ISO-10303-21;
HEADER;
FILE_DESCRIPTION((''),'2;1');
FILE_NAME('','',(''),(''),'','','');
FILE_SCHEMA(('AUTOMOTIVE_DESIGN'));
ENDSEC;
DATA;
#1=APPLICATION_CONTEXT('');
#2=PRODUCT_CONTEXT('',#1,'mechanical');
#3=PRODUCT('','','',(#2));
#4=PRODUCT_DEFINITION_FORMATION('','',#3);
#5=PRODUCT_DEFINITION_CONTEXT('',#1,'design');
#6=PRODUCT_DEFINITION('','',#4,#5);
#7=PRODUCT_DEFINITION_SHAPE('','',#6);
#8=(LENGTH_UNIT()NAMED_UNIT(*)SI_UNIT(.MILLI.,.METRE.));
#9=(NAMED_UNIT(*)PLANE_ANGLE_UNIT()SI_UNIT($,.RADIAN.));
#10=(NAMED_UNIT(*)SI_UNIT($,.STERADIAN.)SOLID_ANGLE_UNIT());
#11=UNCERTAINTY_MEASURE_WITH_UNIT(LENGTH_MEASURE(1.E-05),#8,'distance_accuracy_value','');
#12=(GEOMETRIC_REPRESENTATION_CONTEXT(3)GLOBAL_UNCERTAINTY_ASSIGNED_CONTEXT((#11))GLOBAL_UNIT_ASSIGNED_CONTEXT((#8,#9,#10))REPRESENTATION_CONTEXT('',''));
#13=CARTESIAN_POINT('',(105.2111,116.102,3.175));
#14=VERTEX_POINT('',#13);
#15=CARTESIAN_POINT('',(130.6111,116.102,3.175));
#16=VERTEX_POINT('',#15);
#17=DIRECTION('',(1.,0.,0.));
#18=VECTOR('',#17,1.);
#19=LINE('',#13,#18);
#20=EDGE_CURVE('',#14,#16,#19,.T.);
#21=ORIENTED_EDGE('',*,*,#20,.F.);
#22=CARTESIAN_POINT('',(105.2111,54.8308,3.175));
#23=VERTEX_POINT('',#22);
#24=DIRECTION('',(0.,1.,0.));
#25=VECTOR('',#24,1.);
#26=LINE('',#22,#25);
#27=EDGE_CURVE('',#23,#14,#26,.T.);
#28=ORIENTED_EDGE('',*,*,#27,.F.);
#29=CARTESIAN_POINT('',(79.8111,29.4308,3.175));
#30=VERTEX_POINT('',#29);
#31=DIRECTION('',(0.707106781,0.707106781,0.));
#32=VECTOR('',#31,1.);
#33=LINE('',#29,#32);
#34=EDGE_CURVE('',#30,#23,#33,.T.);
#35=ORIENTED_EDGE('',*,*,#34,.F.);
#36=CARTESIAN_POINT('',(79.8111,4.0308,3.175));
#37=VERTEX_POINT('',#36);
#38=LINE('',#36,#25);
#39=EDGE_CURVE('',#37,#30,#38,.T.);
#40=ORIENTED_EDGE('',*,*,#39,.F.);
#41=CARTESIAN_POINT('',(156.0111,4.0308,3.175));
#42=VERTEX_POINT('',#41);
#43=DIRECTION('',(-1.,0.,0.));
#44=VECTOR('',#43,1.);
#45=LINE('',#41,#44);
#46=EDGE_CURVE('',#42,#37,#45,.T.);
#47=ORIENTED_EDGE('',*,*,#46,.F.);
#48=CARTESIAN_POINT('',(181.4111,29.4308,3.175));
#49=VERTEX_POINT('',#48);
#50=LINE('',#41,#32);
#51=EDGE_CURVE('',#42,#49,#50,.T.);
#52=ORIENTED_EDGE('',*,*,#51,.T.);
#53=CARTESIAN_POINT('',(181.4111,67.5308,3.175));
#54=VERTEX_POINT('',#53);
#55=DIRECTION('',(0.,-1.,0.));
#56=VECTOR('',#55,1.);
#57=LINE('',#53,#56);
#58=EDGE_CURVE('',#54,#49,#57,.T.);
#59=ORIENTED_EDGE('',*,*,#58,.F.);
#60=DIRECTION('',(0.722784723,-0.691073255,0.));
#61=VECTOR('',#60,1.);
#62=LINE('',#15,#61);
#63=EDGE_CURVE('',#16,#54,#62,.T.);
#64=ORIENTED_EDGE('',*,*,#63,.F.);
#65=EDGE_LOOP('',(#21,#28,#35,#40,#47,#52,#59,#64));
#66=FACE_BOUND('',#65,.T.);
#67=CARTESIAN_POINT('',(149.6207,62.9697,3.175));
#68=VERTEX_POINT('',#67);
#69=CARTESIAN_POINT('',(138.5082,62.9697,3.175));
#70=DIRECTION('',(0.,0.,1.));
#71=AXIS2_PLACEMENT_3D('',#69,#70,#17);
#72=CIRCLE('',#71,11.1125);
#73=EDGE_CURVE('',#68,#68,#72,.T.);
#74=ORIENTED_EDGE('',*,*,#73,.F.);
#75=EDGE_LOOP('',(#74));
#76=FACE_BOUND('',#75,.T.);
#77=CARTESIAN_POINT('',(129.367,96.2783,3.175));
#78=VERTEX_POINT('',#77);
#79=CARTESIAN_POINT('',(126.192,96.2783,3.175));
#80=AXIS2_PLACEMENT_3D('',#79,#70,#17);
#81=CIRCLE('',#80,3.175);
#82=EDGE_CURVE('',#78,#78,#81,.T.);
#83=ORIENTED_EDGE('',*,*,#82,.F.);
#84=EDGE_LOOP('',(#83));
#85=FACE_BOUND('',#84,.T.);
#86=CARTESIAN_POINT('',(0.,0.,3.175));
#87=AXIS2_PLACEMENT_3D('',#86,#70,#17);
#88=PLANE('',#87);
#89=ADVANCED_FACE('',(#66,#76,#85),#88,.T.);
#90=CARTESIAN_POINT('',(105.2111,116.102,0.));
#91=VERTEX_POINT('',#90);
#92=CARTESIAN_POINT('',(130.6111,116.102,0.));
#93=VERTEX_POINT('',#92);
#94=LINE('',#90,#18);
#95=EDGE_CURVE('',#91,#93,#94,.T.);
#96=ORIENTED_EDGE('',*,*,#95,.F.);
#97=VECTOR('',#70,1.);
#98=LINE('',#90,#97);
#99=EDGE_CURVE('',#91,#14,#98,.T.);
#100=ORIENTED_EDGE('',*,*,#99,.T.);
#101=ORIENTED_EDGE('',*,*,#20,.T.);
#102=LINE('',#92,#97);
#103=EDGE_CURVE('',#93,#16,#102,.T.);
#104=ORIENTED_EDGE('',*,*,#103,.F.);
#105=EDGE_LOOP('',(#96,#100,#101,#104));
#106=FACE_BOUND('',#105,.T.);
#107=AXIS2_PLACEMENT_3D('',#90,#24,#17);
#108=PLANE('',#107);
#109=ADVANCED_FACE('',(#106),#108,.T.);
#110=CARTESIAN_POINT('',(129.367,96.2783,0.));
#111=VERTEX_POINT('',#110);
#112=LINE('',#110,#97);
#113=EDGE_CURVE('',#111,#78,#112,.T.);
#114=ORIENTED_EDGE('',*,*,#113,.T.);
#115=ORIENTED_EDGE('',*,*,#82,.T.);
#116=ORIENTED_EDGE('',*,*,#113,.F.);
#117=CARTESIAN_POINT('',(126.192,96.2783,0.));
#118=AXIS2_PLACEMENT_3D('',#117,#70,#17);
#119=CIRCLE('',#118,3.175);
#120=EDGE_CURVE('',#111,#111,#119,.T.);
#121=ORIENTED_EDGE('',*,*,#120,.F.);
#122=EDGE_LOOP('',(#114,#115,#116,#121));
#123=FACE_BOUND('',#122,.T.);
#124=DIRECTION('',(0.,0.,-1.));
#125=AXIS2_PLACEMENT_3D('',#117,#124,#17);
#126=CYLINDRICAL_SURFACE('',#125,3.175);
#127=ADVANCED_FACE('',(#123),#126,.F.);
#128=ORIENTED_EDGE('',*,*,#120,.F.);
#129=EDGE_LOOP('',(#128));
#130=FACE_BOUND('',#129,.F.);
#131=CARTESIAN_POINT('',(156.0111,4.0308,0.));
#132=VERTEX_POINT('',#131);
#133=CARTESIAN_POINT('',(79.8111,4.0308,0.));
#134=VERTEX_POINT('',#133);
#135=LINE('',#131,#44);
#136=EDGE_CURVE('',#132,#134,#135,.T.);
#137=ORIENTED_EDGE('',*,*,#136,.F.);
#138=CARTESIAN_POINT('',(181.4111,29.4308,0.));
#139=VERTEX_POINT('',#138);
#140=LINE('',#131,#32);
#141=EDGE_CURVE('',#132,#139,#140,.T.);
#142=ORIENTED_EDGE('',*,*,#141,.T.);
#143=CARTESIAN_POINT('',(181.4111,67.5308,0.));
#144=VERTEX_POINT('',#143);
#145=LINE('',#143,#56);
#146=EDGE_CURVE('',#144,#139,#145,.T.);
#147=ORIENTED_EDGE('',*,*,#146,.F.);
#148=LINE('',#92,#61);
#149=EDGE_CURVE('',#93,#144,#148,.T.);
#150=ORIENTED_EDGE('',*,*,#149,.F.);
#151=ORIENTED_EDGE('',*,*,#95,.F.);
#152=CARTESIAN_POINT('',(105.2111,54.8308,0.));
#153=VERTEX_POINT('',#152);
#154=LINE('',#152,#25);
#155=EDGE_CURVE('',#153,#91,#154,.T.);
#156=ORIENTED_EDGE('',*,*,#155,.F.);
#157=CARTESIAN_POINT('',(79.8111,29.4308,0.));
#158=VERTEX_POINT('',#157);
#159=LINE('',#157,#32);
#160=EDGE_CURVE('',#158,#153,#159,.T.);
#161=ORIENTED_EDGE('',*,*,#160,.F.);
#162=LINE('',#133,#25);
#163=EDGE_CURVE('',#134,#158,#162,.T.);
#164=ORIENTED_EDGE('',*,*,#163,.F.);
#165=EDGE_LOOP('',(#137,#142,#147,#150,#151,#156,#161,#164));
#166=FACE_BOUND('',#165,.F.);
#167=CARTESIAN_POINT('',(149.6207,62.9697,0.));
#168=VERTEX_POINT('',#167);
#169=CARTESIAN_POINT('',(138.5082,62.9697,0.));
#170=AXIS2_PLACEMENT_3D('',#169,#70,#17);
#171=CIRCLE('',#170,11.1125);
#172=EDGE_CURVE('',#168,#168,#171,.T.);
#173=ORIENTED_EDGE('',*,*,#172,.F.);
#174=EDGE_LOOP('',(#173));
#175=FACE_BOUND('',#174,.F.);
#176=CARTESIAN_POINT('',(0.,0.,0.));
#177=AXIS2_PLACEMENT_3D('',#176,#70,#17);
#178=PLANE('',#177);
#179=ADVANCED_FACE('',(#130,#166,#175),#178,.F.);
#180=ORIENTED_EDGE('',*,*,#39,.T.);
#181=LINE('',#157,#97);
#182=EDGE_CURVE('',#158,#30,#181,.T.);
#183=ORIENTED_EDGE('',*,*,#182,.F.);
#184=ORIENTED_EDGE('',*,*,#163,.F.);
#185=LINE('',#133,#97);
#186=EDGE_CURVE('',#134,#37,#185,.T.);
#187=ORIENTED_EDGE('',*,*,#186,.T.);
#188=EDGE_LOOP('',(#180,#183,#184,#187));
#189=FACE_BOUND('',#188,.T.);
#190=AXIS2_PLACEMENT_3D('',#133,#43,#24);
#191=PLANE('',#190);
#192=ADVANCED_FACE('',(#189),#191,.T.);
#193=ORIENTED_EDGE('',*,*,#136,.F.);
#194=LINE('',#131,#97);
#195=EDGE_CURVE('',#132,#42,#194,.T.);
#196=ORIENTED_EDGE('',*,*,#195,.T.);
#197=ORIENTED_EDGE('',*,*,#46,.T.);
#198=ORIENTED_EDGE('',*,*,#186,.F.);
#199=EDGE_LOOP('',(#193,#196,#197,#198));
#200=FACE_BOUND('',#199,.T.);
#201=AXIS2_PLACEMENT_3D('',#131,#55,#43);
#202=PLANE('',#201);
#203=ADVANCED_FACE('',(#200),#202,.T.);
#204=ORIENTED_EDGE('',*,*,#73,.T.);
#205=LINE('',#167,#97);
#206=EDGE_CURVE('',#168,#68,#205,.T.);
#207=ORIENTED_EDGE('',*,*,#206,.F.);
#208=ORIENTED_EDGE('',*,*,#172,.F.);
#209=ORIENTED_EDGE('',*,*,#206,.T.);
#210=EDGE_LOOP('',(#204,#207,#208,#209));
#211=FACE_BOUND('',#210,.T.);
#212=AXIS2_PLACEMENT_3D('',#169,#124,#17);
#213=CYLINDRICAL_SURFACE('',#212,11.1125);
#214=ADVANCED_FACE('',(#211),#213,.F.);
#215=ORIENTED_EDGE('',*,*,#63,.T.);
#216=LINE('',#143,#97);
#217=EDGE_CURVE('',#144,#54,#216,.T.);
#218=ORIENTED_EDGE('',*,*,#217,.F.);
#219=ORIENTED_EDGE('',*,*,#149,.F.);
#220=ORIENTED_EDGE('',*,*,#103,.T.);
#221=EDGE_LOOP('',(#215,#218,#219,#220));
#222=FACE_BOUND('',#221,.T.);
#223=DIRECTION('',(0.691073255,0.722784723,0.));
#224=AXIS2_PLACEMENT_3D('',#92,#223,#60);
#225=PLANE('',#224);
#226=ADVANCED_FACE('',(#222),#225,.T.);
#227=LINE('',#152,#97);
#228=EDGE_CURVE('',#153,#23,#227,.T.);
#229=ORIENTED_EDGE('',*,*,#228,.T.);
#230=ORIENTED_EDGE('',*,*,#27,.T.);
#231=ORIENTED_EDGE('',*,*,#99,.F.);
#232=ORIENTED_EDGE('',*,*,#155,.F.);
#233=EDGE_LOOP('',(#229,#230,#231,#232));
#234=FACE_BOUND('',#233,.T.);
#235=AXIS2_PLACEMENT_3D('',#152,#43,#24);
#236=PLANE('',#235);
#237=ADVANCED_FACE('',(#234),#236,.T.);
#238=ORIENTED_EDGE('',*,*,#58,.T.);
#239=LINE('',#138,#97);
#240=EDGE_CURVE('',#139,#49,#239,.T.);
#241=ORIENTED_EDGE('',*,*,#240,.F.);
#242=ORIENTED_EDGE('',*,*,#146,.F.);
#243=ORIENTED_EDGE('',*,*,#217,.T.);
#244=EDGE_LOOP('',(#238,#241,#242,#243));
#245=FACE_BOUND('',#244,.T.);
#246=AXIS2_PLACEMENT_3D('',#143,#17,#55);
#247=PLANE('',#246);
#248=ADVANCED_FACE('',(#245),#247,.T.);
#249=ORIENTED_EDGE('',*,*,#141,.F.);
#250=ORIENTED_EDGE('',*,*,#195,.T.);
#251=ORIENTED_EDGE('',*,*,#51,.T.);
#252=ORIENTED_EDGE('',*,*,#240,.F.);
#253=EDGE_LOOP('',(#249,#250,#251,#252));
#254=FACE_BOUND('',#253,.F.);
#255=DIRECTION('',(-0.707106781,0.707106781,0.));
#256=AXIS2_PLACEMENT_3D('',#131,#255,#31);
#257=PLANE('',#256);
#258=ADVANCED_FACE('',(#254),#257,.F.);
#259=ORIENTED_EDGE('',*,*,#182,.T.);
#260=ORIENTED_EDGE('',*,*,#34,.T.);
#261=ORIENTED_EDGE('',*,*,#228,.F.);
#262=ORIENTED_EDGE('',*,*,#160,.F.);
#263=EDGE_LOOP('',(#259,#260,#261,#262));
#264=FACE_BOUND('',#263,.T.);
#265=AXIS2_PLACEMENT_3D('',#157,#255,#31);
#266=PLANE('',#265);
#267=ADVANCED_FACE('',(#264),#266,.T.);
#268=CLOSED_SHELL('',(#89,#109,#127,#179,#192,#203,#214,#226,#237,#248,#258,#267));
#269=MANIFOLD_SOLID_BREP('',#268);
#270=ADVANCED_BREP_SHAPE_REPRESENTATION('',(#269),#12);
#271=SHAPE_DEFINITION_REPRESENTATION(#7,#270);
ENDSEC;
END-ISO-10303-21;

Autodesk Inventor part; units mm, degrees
ref_plane "YZ Plane" through (0, 0, 0) normal (1, 0, 0) x (0, 1, 0)
ref_plane "XZ Plane" through (0, 0, 0) normal (0, 1, 0) x (-1, 0, 0)
ref_plane "XY Plane" through (0, 0, 0) normal (0, 0, 1) x (1, 0, 0)
sketch "Sketch1" plane through (0, 0, 0) normal (0, 0, 1) x (1, 0, 0)
  line L0 (0, 0) -> (304.8, 0) construction
  line L1 (304.8, 0) -> (304.8, 50.8) construction
  line L2 (304.8, 50.8) -> (0, 50.8) construction
  line L3 (0, 50.8) -> (0, 0) construction
  circle A0 centre (152.4, 25.4) radius 14.2875 construction
  circle A1 centre (152.4, 25.4) radius 30.48 construction
  circle A2 centre (152.4, 25.4) radius 22.225 construction
  line L4 (152.4, 25.4) -> (138.5082, 62.9697) construction
  circle A3 centre (138.5082, 62.9697) radius 9.525 construction
  circle A4 centre (138.5082, 62.9697) radius 17.78 construction
  circle A5 centre (89.9711, 85.09) radius 31.75 construction
  circle A6 centre (160.9785, 111.3458) radius 31.75 construction
  circle A7 centre (221.9701, 85.09) radius 31.75 construction
  line L5 (0, 50.8) -> (0, 53.34) construction
  line L6 (0, 53.34) -> (304.8, 53.34) construction
  line L7 (304.8, 53.34) -> (304.8, 50.8) construction
  circle A8 centre (138.5082, 62.9697) radius 21.59 construction
  circle A9 centre (152.4, 25.4) radius 46.99 construction
  circle A10 centre (152.4, 25.4) radius 50.8 construction
  arc A11 (84.9408, 79.3264) -> (90.9184, 92.6811) centre (89.9711, 85.09) ccw construction
  circle A12 centre (160.9785, 111.3458) radius 7.65 construction
  arc A13 (221.6946, 92.735) -> (225.5172, 78.312) centre (221.9701, 85.09) ccw construction
  circle A14 centre (160.9785, 111.3458) radius 9.1 construction
  circle A15 centre (138.5082, 62.9697) radius 22.9 construction
  line L8 (84.9408, 79.3264) -> (123.4503, 45.7166) construction
  line L9 (168.5483, 110.2412) -> (161.1682, 59.6633) construction
  line L10 (90.9184, 92.6811) -> (89.9711, 85.09) construction
  line L11 (89.9711, 85.09) -> (84.9408, 79.3264) construction
  circle A16 centre (126.192, 96.2783) radius 3.175
  circle A17 centre (126.192, 96.2783) radius 7.9375 construction
  line L12 (90.9184, 92.6811) -> (125.2091, 88.4019) construction
  line L13 (132.0626, 90.936) -> (155.3205, 116.4945) construction
  line L14 (155.3205, 116.4945) -> (160.9785, 111.3458) construction
  line L15 (168.5483, 110.2412) -> (160.9785, 111.3458) construction
  line L16 (138.5082, 62.9697) -> (126.192, 96.2783) construction
  line L17 (89.9711, 85.09) -> (160.9785, 111.3458) construction
  line L18 (152.4, 25.4) -> (89.9711, 85.09) construction
  line L19 (152.4, 25.4) -> (160.9785, 111.3458) construction
  circle A18 centre (126.192, 96.2783) radius 9.2075 construction
  circle A19 centre (126.192, 96.2783) radius 6.1595 construction
  arc A20 (90.9184, 92.6811) -> (84.9408, 79.3264) centre (89.9711, 85.09) ccw construction
  circle A21 centre (160.9785, 111.3458) radius 25.4 construction
  circle A22 centre (221.9701, 85.09) radius 25.4 construction
  line L20 (102.9424, 114.0695) -> (76.9998, 56.1105) construction
  circle A23 centre (89.9711, 85.09) radius 25.4 construction
  line L21 (213.8361, 115.7804) -> (230.1041, 54.3996) construction
  line L22 (54.4111, 146.9058) -> (257.6111, 146.9058)
  line L23 (257.6111, 146.9058) -> (257.6111, -11.8442)
  line L24 (257.6111, -11.8442) -> (54.4111, -11.8442)
  line L25 (54.4111, -11.8442) -> (54.4111, 146.9058)
  circle A24 centre (138.5082, 62.9697) radius 11.1125
  arc A25 (225.3129, 75.4455) -> (221.0936, 95.3227) centre (223.2033, 85.3841) ccw construction
  line L26 (220.7531, 84.7347) -> (228.4773, 60.5377) construction
  line L27 (223.2033, 85.3841) -> (228.4773, 60.5377) construction
  line L28 (220.7531, 84.7347) -> (213.029, 108.9318) construction
  line L29 (223.2033, 85.3841) -> (217.9292, 110.2305) construction
  arc A26 (212.3049, 111.2003) -> (213.7531, 106.6633) centre (213.029, 108.9318) ccw construction
  arc A27 (218.4237, 107.9012) -> (217.4348, 112.5599) centre (217.9292, 110.2305) ccw construction
  arc A28 (218.4237, 107.9012) -> (213.7531, 106.6633) centre (228.4773, 60.5377) ccw construction
  arc A29 (217.4348, 112.5599) -> (212.3049, 111.2003) centre (228.4773, 60.5377) ccw construction
  line L30 (213.029, 108.9318) -> (212.3049, 111.2003) construction
  line L31 (217.9292, 110.2305) -> (217.4348, 112.5599) construction
  arc A30 (221.0936, 95.3227) -> (217.6635, 94.4136) centre (228.4773, 60.5377) ccw construction
  arc A31 (225.3129, 75.4455) -> (223.8428, 75.0559) centre (228.4773, 60.5377) ccw construction
  line L32 (102.6358, 107.1803) -> (91.1149, 84.5434) construction
  line L33 (79.5941, 61.9064) -> (88.8014, 85.5789) construction
  arc A32 (98.8719, 111.4706) -> (97.1455, 107.0321) centre (98.0087, 109.2513) ccw construction
  arc A33 (101.5557, 105.0581) -> (103.7158, 109.3025) centre (102.6358, 107.1803) ccw construction
  arc A34 (101.5557, 105.0581) -> (97.1455, 107.0321) centre (79.5941, 61.9064) ccw construction
  line L34 (98.0087, 109.2513) -> (98.8719, 111.4706) construction
  line L35 (102.6358, 107.1803) -> (103.7158, 109.3025) construction
  arc A35 (103.7158, 109.3025) -> (98.8719, 111.4706) centre (79.5941, 61.9064) ccw construction
  arc A36 (217.6635, 94.4136) -> (223.8428, 75.0559) centre (220.7531, 84.7347) ccw construction
  arc A37 (86.5066, 75.4886) -> (95.7233, 93.5981) centre (91.1149, 84.5434) ccw construction
  line L36 (88.8014, 85.5789) -> (98.0087, 109.2513) construction
  line L37 (91.1149, 84.5434) -> (79.5941, 61.9064) construction
  arc A38 (86.5066, 75.4886) -> (85.1185, 76.1099) centre (79.5941, 61.9064) ccw construction
  arc A39 (95.7233, 93.5981) -> (92.4843, 95.0479) centre (79.5941, 61.9064) ccw construction
  arc A40 (92.4843, 95.0479) -> (85.1185, 76.1099) centre (88.8014, 85.5789) ccw construction
  line L38 (160.9785, 111.3458) -> (138.0151, 122.2014) construction
  line L39 (160.9785, 111.3458) -> (183.9418, 100.4902) construction
  circle A41 centre (138.5082, 62.9697) radius 26.75 construction
  line L40 (221.6946, 92.735) -> (137.5448, 89.7024) construction
  line L41 (225.5172, 78.312) -> (150.9113, 39.269) construction
  line L42 (221.9701, 85.09) -> (221.6946, 92.735) construction
  line L43 (221.9701, 85.09) -> (225.5172, 78.312) construction
  line L44 (138.5082, 62.9697) -> (137.5448, 89.7024) construction
  line L45 (138.5082, 62.9697) -> (150.9113, 39.269) construction
  arc A42 (225.5172, 78.312) -> (221.6946, 92.735) centre (221.9701, 85.09) ccw construction
  arc A43 (225.5172, 78.312) -> (224.7763, 77.9733) centre (221.9701, 85.09) ccw construction
  line L46 (138.5082, 62.9697) -> (221.9701, 85.09) construction
  line L47 (79.8111, 29.4308) -> (105.2111, 54.8308)
  line L48 (105.2111, 54.8308) -> (105.2111, 116.102)
  line L49 (105.2111, 116.102) -> (130.6111, 116.102)
  line L50 (130.6111, 116.102) -> (181.4111, 67.5308)
  line L51 (181.4111, 67.5308) -> (181.4111, 29.4308)
  line L52 (156.0111, 4.0308) -> (79.8111, 4.0308)
  line L53 (79.8111, 4.0308) -> (79.8111, 29.4308)
  line L54 (156.0111, 4.0308) -> (181.4111, 29.4308)
  point P0 (215.4629, 109.6423)
  point P1 (100.3481, 108.2736)
  dimension "d1" = 50.8
  dimension "d2" = 28.575
  dimension "d3" = 25.4
  dimension "d4" = 152.4
  dimension "d7" = 60.96
  dimension "d8" = 44.45
  dimension "d9" = 19.05
  dimension "d10" = 35.56
  dimension "d11" = 40.0558
  dimension "d12" = 63.5
  dimension "d13" = 63.5
  dimension "d14" = 63.5
  dimension "d15" = 2.54
  dimension "d16" = 304.8
  dimension "d17" = 43.18
  dimension "d18" = 93.98
  dimension "d19" = 101.6
  dimension "d21" = 15.3
  dimension "d22" = 15.3
  dimension "d24" = 18.2
  dimension "d29" = 45.8
  dimension "d30" = 146
  dimension "d31" = 6.35
  dimension "d32" = 15.875
  dimension "d33" = 146
  dimension "d35" = 18.415
  dimension "d37" = 12.319
  dimension "d40" = 50.8
  dimension "d41" = 50.8
  dimension "d42" = 17
  dimension "d43" = 17
  dimension "d44" = 50.8
  dimension "d53" = 203.2
  dimension "d54" = 158.75
  dimension "d55" = 35.56
  dimension "d56" = 35.56
  dimension "d57" = 22.225
  dimension "d67" = 25.4
  dimension "d68" = 25.4
  dimension "d69" = 2.86
  dimension "d70" = 25.4
  dimension "d71" = 25.4
  dimension "d72" = 4.7625
  dimension "d75" = 2.86
  dimension "d80" = 4.7625
  dimension "d82" = 4.7625
  dimension "d83" = 50.8
  dimension "d84" = 50.8
  dimension "d85" = 10.16
  dimension "d97" = 48.4188
  dimension "d99" = 20.32
  dimension "d101" = 25.4
  dimension "d102" = 25.4
  dimension "d103" = 10.16
  dimension "d105" = 17
  dimension "d106" = 17
  dimension "d107" = 53.5
  dimension "d108" = 154.44
  dimension "d109" = 7.65
  dimension "d111" = 86.3435
  dimension "d112" = 12.78
  dimension "d113" = 12.78
  dimension "d116" = 25.4
  dimension "d117" = 25.4
extrude "Extrusion3" add sketch "Sketch1" along normal blind 3.175 contours L47 L48 L49 L50 L51 L54 L52 L53
equation "\"d2\" = BearingLargeOD"
equation "\"d7\" = Gear48tPD"
equation "\"d8\" = Gear35tPD"
equation "\"d9\" = Gear15tPD"
equation "\"d10\" = Gear28tPD"
equation "\"d11\" = 0.5 * Gear48tPD + 0.5 * Gear15tPD + MeshingClearance"
equation "\"d12\" = CimOD"
equation "\"d13\" = CimOD"
equation "\"d14\" = CimOD"
equation "\"d17\" = Gear28tPD + ClearanceDiameter"
equation "\"d18\" = WheelOD"
equation "\"d19\" = WheelClearance"
equation "\"Pulley48tPD\" = 45.8"
equation "\"Pulley19tPD\" = 18.2"
equation "\"Pulley16tPD\" = 15.3"
equation "\"Gear15tPD\" = 19.05"
equation "\"Gear35tPD\" = 44.45"
equation "\"Gear48tPD\" = 60.96"
equation "\"Gear28tPD\" = 35.56"
equation "\"BearingLargeOD\" = 28.575"
equation "\"BearingSmallOD\" = 22.225"
equation "\"MeshingClearance\" = 0.0508"
equation "\"CimOD\" = 63.5"
equation "\"WheelOD\" = 93.98"
equation "\"ClearanceDiameter\" = 7.62"
equation "\"WheelClearance\" = 101.6"
equation "\"TensioningBearingID\" = 6.35"
equation "\"TensioningBearingOD\" = 15.875"
equation "\"SpingClipClearance\" = 8.89"
equation "\"Pi\" = 79.79645"
equation "\"Pulley56tPD\" = 53.5"
equation "\"BearingXLargeOD\" = 34.925"
properties part number "OutlineSketch1" material "Aluminum 6061"
